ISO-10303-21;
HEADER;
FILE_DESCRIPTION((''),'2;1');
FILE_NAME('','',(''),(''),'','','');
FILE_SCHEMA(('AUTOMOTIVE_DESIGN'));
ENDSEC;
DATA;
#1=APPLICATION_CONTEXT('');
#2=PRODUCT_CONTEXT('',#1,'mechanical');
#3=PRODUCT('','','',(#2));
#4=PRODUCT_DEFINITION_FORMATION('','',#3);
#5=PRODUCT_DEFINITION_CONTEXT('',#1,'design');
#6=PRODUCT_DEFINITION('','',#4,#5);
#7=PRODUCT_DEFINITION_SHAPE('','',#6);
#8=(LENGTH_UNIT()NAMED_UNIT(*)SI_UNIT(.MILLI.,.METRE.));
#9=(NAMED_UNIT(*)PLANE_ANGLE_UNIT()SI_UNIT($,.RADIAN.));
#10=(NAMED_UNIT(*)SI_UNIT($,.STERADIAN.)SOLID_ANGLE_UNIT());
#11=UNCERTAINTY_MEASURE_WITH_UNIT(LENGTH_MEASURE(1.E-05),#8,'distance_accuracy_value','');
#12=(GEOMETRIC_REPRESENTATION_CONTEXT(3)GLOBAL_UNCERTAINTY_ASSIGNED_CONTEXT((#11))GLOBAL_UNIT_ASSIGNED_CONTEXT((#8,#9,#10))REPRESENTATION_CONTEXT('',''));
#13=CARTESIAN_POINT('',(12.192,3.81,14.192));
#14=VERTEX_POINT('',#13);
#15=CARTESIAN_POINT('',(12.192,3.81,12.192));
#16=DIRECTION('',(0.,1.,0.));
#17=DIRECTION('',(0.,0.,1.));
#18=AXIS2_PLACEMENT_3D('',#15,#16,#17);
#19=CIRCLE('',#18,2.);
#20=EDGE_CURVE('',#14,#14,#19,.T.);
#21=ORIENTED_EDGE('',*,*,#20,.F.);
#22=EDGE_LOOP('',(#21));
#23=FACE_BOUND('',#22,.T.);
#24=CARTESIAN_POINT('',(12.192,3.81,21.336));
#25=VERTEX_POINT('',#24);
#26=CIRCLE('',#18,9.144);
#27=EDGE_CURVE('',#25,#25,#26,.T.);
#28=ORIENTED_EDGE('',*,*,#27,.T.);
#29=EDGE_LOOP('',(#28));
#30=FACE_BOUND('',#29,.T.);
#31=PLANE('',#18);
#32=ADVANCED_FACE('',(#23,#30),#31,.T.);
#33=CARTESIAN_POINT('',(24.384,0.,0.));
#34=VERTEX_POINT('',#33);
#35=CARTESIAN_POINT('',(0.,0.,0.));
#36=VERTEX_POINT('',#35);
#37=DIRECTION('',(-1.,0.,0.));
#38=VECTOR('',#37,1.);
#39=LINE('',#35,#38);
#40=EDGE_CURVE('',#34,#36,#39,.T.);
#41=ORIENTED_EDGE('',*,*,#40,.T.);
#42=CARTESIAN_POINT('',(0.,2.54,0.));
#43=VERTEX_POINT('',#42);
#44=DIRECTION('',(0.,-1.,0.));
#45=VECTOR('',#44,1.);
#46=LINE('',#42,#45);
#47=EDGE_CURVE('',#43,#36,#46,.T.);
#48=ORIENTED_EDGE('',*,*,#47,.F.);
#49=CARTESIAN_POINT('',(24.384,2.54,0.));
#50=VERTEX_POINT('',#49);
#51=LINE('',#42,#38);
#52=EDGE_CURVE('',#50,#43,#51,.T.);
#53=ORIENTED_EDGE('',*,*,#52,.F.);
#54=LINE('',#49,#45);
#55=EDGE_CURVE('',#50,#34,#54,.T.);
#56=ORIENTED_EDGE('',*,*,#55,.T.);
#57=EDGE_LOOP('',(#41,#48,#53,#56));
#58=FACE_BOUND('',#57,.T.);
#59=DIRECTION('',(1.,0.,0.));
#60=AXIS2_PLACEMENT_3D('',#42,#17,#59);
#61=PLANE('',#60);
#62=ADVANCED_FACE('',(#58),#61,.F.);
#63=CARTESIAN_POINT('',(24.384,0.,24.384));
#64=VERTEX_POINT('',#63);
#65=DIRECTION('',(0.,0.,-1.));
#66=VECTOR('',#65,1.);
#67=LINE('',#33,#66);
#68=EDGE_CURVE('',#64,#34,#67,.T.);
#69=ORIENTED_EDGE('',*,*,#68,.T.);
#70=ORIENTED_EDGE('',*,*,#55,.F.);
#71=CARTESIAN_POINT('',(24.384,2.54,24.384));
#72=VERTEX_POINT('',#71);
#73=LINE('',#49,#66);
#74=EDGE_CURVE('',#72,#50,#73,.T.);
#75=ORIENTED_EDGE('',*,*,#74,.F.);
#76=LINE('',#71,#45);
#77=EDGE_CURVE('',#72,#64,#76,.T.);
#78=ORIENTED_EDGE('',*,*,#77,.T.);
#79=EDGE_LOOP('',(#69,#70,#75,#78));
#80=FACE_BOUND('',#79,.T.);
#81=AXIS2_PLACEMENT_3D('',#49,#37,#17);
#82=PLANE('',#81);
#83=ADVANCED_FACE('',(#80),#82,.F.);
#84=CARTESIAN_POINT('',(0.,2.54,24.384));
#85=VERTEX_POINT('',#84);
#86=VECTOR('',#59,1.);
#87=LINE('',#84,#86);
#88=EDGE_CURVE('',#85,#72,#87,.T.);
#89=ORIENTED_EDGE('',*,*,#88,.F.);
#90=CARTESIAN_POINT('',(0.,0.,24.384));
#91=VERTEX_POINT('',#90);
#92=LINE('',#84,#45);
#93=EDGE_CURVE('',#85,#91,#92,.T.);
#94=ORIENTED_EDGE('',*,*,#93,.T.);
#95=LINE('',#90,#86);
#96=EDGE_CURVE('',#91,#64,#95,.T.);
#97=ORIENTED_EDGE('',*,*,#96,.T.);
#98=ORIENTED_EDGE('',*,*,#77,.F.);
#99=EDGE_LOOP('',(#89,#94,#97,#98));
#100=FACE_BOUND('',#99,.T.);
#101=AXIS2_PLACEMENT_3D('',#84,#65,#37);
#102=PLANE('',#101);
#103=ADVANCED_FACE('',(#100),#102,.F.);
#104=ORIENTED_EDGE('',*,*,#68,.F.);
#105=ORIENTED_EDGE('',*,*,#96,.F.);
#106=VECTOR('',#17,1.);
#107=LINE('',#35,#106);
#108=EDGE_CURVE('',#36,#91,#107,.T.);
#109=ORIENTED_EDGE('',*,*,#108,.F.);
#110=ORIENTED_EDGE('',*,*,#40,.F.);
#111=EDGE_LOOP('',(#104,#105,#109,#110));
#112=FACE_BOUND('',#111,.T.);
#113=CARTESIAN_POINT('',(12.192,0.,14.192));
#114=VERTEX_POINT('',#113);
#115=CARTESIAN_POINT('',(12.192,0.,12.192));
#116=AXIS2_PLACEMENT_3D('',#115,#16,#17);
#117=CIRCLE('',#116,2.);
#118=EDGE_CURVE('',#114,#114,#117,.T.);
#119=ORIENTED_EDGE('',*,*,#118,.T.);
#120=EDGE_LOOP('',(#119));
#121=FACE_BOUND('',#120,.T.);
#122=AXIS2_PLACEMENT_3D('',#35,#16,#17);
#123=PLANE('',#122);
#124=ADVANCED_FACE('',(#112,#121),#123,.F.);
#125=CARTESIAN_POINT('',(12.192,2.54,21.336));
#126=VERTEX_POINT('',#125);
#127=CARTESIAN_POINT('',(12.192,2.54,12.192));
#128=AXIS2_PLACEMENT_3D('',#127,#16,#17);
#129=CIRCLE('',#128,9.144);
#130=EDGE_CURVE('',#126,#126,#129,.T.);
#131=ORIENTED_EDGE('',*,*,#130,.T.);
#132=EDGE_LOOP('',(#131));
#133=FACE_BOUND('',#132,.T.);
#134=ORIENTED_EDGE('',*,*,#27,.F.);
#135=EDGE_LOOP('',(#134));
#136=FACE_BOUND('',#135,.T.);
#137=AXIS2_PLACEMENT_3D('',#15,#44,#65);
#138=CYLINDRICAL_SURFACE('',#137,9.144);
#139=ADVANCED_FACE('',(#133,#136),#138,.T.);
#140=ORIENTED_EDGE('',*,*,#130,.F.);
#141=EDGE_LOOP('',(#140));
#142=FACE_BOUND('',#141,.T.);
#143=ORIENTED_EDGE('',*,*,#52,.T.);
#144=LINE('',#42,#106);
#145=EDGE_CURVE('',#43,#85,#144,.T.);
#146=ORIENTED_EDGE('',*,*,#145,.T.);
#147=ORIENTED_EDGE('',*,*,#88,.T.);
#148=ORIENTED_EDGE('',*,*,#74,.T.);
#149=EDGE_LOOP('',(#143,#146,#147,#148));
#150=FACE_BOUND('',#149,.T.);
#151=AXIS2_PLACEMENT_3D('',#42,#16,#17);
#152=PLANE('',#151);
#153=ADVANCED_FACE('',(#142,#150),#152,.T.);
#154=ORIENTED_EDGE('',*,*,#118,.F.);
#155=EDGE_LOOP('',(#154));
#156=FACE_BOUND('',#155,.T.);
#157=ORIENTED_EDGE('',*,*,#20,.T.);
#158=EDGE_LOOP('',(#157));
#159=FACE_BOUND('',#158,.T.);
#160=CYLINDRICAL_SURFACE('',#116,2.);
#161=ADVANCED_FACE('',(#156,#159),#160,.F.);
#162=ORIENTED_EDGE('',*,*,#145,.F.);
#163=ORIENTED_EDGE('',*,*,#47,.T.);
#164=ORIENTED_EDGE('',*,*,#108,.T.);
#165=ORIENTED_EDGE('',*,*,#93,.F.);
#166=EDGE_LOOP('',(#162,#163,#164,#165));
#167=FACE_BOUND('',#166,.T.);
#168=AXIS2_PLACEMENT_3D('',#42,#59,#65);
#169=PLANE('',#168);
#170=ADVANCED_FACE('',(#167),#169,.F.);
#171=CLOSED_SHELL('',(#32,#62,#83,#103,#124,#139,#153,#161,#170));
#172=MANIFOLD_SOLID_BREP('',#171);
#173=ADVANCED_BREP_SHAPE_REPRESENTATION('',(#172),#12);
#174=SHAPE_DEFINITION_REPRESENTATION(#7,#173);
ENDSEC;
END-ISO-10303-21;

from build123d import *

# Parameters (mm, degrees)
SKETCH1_W           = 24.384
SKETCH1_H           = 24.384
BOSS_EXTRUDE1_DEPTH = 2.54
SKETCH2_R           = 9.144
BOSS_EXTRUDE2_DEPTH = 1.27
SKETCH3_R           = 2
CUT_EXTRUDE1_DEPTH  = 35.694019831


with BuildPart() as part:
    # Sketch1 → Boss-Extrude1 (new body)
    with BuildSketch(Plane(origin=(0, 0, 0), x_dir=(1, 0, 0), z_dir=(0, 1, 0))):
        with Locations((12.192, -12.192)):
            Rectangle(SKETCH1_W, SKETCH1_H)
    extrude(amount=BOSS_EXTRUDE1_DEPTH)

    # Sketch2 → Boss-Extrude2 (add)
    with BuildSketch(Plane(origin=(0, 2.54, 0), x_dir=(1, 0, 0), z_dir=(0, 1, 0))):
        with Locations(Location((12.192, -12.192, 0), (0, 0, 270))):
            Circle(SKETCH2_R)
    extrude(amount=BOSS_EXTRUDE2_DEPTH)

    # Sketch3 → Cut-Extrude1 (cut, through all)
    with BuildSketch(Plane(origin=(0, 3.81, 0), x_dir=(1, 0, 0), z_dir=(0, 1, 0))):
        with Locations(Location((12.192, -12.192, 0), (0, 0, 270))):
            Circle(SKETCH3_R)
    extrude(amount=-CUT_EXTRUDE1_DEPTH, mode=Mode.SUBTRACT)


solid = part.part
